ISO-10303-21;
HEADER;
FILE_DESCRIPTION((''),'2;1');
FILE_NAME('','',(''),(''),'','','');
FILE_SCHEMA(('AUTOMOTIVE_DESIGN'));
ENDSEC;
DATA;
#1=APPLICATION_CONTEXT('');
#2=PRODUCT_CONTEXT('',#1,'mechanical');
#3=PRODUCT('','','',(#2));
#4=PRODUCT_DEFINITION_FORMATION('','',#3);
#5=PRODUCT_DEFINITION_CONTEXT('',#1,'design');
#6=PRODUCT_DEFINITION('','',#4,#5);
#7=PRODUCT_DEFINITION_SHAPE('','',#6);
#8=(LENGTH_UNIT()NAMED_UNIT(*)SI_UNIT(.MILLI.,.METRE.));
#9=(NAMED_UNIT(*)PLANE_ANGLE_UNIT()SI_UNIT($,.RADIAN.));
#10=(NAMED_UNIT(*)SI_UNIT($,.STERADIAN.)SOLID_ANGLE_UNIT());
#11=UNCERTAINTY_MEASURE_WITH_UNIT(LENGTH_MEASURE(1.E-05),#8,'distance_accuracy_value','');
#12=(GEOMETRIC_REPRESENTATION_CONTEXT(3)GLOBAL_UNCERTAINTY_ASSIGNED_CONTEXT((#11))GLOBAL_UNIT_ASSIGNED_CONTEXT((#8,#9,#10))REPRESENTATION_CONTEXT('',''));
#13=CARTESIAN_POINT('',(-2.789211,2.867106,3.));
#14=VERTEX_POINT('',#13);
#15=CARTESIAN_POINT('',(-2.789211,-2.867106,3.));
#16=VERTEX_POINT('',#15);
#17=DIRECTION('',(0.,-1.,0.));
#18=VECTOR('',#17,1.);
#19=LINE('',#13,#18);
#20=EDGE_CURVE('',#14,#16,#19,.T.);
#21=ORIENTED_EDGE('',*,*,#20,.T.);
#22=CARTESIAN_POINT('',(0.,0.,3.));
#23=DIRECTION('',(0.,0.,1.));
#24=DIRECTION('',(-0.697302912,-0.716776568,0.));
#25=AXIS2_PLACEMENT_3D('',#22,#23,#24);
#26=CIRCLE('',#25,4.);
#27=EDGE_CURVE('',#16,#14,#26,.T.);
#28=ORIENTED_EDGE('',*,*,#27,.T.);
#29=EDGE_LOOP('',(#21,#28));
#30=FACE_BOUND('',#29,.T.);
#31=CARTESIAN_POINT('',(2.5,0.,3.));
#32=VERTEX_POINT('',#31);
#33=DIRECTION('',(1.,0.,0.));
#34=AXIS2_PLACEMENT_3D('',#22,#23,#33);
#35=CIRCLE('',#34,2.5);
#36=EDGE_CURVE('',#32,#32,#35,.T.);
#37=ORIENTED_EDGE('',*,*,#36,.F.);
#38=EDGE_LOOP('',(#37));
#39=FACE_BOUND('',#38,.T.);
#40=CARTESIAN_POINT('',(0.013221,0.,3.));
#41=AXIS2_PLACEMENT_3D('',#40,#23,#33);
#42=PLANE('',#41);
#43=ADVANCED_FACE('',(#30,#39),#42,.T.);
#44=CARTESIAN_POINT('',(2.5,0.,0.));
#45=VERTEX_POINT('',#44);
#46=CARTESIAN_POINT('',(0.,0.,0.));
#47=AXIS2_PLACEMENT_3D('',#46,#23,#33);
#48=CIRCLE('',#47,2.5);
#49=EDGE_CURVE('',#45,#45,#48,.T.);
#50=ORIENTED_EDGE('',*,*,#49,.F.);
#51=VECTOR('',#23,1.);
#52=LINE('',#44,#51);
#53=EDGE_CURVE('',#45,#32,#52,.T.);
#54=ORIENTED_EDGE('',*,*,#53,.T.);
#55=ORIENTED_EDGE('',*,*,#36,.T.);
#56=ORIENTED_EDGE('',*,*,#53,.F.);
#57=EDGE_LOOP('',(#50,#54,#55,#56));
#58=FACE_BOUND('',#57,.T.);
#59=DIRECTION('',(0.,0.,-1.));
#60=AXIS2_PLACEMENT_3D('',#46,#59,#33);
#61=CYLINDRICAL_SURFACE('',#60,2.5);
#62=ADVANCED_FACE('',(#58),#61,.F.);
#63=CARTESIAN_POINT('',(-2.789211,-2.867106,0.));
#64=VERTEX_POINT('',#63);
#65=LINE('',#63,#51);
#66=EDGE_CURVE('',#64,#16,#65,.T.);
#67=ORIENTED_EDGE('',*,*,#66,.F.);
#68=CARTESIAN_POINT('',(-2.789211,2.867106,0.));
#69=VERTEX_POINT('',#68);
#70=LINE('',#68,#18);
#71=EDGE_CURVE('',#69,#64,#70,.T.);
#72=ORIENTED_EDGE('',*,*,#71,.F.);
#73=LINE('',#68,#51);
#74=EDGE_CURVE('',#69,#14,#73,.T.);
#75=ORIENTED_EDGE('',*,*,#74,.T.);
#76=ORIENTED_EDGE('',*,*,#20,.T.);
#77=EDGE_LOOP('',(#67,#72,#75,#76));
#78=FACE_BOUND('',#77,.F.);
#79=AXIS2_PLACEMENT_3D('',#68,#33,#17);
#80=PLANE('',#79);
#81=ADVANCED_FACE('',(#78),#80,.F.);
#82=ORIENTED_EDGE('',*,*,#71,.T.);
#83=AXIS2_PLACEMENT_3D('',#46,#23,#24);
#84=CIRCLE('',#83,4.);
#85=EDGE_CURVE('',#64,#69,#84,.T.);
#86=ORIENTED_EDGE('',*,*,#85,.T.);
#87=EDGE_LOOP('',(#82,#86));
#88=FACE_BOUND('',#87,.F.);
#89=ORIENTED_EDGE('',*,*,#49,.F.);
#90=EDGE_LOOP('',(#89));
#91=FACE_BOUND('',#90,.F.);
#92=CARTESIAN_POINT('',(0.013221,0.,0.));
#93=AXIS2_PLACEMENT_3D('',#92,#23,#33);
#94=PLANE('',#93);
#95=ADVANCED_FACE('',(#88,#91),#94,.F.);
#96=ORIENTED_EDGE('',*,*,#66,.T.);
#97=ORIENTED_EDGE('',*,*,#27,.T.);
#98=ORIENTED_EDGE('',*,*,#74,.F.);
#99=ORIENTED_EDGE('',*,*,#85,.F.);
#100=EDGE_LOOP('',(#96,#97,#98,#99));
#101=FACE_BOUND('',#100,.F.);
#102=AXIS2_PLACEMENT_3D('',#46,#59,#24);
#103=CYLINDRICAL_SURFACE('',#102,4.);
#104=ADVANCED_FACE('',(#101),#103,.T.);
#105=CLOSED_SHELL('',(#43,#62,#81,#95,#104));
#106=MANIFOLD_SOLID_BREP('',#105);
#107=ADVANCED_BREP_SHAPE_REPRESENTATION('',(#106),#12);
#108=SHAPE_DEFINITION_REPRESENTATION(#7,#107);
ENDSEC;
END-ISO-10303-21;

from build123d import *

# Parameters (mm, degrees)
F0_R     = 2.5
F1_DEPTH = 3


with BuildPart() as f1:
    # F0 (on Top) → F1 (new body)
    with BuildSketch(Plane.XY):
        with BuildLine():
            Line((-2.789211, 0), (-2.789211, -2.867106))
            ThreePointArc((-2.789211, -2.867106), (4, 0), (-2.789211, 2.867106))
            Line((-2.789211, 2.867106), (-2.789211, 0))
        make_face()
        Circle(F0_R, mode=Mode.SUBTRACT)
    extrude(amount=F1_DEPTH)


solid = f1.part
